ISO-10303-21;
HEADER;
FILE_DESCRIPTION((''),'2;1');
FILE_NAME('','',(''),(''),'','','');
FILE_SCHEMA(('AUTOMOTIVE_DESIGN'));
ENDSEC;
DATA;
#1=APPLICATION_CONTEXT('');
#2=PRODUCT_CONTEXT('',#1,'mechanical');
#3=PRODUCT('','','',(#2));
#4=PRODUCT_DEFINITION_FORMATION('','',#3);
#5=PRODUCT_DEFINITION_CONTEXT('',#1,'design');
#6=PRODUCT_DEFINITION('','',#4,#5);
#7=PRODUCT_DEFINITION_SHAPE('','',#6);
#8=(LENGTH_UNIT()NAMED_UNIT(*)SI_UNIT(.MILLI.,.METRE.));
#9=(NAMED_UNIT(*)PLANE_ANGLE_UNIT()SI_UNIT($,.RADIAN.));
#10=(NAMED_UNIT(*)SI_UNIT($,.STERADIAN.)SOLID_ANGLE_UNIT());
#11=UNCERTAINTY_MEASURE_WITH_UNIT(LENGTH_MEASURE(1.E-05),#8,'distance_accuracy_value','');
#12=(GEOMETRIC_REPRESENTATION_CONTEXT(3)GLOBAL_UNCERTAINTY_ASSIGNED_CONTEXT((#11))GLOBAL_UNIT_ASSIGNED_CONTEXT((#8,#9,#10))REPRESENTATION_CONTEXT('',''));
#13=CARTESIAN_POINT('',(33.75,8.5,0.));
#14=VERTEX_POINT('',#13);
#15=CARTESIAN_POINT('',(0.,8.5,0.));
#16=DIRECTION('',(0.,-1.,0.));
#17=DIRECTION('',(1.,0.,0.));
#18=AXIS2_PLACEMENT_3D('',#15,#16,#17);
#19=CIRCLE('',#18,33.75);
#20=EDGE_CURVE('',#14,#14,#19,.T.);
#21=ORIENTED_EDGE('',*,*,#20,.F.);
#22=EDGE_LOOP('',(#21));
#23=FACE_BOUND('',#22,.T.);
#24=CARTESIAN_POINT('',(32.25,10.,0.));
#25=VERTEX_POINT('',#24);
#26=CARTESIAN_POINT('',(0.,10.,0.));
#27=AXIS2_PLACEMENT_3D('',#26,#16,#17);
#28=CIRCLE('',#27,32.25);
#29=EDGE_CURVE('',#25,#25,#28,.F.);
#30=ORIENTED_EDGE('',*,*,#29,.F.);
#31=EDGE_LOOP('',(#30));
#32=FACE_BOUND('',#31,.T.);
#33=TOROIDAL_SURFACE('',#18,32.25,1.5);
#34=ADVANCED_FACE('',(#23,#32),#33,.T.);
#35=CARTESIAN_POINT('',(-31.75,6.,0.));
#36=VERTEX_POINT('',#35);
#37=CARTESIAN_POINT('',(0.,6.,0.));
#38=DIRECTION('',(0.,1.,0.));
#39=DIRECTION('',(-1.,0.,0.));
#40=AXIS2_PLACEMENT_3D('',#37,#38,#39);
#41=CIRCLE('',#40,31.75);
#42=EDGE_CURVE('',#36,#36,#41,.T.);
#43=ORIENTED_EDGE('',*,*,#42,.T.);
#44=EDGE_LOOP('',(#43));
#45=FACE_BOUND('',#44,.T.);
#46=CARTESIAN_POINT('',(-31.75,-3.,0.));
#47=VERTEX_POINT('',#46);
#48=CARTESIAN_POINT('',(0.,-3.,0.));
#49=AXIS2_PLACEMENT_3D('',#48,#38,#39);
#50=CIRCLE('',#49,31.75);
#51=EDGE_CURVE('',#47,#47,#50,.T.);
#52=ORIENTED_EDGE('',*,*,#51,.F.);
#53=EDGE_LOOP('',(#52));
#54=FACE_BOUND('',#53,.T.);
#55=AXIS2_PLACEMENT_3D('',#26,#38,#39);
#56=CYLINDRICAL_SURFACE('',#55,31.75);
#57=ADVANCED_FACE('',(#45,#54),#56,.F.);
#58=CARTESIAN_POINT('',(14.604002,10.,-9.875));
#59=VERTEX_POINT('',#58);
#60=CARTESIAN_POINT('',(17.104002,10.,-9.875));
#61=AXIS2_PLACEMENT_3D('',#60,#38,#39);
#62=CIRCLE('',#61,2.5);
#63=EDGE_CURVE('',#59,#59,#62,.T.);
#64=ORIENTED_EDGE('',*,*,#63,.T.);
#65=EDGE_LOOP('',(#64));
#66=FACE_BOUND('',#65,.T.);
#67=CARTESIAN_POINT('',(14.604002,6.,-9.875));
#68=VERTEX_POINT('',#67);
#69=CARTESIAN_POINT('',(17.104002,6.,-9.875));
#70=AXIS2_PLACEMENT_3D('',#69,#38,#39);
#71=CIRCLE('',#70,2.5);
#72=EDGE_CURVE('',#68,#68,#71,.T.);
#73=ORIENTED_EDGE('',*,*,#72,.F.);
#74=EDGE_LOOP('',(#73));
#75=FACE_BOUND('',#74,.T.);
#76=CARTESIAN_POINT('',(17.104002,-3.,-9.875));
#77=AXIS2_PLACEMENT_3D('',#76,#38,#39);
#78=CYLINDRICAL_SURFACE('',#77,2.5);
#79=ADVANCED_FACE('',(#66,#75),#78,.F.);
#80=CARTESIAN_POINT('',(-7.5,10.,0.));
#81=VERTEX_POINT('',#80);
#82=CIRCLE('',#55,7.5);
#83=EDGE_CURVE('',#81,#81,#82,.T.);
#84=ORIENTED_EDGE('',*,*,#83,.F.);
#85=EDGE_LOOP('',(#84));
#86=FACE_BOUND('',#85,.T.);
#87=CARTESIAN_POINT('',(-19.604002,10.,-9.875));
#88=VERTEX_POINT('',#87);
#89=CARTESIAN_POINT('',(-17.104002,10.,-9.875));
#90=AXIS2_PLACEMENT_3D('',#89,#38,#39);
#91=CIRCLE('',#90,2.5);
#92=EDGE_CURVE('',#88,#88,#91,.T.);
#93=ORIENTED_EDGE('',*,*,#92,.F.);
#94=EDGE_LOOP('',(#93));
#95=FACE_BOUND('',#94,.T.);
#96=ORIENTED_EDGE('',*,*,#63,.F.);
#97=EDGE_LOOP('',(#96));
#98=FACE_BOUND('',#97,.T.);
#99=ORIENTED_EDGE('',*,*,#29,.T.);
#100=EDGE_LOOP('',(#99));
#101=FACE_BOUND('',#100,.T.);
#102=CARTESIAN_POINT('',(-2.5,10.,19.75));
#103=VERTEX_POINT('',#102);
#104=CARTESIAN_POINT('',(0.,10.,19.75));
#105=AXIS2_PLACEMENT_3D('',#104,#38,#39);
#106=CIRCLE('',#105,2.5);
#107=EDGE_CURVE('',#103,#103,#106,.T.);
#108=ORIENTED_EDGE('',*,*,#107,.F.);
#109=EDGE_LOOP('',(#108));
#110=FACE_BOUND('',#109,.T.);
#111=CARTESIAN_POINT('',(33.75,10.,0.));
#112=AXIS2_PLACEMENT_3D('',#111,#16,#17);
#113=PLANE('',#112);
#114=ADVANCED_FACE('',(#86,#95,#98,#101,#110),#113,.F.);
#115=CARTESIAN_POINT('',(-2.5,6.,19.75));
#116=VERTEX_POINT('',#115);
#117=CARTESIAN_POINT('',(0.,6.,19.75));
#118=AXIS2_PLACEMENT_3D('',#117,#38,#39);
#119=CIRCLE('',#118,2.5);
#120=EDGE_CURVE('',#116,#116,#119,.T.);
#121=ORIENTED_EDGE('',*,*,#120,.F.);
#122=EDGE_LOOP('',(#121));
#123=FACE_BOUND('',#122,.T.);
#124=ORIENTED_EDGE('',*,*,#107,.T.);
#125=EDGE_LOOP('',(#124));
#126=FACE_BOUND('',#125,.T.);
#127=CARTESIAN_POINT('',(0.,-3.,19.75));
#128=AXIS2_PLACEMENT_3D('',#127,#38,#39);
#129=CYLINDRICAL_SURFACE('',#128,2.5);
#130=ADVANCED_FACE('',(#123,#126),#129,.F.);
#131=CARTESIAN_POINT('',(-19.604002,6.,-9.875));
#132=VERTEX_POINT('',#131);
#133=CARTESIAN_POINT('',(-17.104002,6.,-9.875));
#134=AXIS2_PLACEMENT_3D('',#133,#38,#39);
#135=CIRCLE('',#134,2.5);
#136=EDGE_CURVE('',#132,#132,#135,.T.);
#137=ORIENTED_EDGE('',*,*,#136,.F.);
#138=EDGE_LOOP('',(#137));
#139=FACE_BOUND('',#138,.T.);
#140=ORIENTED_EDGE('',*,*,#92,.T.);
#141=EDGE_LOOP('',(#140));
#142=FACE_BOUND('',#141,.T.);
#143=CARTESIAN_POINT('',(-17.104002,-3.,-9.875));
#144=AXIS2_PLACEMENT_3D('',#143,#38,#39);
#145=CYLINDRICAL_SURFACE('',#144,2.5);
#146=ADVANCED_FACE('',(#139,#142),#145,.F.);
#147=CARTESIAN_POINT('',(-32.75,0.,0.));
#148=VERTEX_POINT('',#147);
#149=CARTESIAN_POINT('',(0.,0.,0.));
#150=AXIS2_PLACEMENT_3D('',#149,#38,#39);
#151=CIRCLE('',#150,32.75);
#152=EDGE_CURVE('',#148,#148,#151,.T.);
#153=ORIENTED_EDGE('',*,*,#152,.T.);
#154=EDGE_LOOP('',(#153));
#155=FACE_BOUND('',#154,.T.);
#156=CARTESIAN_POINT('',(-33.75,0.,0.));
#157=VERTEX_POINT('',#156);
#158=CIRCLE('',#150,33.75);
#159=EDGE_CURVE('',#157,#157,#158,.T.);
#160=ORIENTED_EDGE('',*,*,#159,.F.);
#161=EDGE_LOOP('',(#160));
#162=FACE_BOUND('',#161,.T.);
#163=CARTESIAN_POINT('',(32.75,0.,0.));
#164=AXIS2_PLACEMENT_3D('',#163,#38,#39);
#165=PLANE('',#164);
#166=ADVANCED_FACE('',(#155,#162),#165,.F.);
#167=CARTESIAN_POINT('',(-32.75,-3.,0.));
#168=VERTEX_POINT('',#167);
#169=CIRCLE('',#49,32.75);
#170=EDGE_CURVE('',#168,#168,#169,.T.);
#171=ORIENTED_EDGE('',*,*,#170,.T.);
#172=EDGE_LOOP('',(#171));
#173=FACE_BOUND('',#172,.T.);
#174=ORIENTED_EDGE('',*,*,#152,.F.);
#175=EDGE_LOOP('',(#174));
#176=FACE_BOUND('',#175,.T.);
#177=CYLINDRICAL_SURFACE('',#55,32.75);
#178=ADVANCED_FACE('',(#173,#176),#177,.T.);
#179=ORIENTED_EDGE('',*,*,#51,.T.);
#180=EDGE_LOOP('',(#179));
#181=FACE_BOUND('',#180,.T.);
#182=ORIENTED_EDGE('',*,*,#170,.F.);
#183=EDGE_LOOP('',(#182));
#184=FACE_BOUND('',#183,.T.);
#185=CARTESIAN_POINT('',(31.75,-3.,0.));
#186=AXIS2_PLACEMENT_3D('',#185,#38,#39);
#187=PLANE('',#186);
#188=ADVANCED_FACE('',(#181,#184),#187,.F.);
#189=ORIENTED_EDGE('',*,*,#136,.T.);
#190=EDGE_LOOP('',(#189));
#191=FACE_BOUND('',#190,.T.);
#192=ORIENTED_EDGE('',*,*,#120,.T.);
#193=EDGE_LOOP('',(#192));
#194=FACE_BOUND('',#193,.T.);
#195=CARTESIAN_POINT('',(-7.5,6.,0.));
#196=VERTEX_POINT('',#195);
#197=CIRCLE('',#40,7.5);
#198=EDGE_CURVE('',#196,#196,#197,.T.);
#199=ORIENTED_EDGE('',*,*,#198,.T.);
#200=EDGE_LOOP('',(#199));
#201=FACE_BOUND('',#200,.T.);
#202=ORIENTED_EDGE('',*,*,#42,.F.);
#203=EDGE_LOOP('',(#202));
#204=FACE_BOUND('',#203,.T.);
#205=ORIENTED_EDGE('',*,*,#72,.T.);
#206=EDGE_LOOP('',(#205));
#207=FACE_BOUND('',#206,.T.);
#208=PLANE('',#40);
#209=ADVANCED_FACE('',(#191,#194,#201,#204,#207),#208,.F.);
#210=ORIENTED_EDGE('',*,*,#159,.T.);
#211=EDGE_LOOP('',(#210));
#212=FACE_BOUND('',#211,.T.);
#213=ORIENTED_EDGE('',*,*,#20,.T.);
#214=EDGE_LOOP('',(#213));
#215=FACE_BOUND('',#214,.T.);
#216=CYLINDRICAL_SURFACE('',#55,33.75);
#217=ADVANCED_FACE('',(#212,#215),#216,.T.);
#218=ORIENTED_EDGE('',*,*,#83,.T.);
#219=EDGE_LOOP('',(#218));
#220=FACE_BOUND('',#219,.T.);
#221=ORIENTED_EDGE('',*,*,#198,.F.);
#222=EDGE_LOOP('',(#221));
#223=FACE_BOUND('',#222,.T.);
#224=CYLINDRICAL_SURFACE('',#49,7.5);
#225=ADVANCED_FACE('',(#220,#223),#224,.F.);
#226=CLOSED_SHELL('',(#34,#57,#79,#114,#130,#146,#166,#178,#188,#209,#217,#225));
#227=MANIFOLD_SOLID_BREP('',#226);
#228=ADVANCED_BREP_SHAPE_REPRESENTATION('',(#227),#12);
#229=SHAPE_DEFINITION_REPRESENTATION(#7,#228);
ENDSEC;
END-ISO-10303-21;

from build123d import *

# Parameters (mm, degrees)
SKETCH2_R          = 2.5
SKETCH2_R_2        = 7.5
CUT_EXTRUDE1_DEPTH = 50.468424272
FILLET1_R          = 1.5


with BuildPart() as part:
    # Sketch1 → Revolve1 (revolve)
    with BuildSketch(Plane.XY):
        Polygon((31.75, -3), (32.75, -3), (32.75, 0), (33.75, 0), (33.75, 10), (0, 10), (0, 6), (31.75, 6), align=None)
    revolve(axis=Axis((0, 10, 0), (0, -1, 0)))

    # Sketch2 → Cut-Extrude1 (cut, through all)
    with BuildSketch(Plane(origin=(0, 10, 0), x_dir=(1, 0, 0), z_dir=(0, 1, 0))):
        with Locations((0, -19.75)):
            Circle(SKETCH2_R)
        with Locations((-17.104001725, 9.875)):
            Circle(SKETCH2_R)
        with Locations((17.104001725, 9.875)):
            Circle(SKETCH2_R)
        Circle(SKETCH2_R_2)
    extrude(amount=-CUT_EXTRUDE1_DEPTH, mode=Mode.SUBTRACT)

    # Fillet1
    fillet1_edges = [part.edges().sort_by_distance(p)[0] for p in [
        (-33.75, 10, 0),
    ]]
    fillet(fillet1_edges, radius=FILLET1_R)


solid = part.part
